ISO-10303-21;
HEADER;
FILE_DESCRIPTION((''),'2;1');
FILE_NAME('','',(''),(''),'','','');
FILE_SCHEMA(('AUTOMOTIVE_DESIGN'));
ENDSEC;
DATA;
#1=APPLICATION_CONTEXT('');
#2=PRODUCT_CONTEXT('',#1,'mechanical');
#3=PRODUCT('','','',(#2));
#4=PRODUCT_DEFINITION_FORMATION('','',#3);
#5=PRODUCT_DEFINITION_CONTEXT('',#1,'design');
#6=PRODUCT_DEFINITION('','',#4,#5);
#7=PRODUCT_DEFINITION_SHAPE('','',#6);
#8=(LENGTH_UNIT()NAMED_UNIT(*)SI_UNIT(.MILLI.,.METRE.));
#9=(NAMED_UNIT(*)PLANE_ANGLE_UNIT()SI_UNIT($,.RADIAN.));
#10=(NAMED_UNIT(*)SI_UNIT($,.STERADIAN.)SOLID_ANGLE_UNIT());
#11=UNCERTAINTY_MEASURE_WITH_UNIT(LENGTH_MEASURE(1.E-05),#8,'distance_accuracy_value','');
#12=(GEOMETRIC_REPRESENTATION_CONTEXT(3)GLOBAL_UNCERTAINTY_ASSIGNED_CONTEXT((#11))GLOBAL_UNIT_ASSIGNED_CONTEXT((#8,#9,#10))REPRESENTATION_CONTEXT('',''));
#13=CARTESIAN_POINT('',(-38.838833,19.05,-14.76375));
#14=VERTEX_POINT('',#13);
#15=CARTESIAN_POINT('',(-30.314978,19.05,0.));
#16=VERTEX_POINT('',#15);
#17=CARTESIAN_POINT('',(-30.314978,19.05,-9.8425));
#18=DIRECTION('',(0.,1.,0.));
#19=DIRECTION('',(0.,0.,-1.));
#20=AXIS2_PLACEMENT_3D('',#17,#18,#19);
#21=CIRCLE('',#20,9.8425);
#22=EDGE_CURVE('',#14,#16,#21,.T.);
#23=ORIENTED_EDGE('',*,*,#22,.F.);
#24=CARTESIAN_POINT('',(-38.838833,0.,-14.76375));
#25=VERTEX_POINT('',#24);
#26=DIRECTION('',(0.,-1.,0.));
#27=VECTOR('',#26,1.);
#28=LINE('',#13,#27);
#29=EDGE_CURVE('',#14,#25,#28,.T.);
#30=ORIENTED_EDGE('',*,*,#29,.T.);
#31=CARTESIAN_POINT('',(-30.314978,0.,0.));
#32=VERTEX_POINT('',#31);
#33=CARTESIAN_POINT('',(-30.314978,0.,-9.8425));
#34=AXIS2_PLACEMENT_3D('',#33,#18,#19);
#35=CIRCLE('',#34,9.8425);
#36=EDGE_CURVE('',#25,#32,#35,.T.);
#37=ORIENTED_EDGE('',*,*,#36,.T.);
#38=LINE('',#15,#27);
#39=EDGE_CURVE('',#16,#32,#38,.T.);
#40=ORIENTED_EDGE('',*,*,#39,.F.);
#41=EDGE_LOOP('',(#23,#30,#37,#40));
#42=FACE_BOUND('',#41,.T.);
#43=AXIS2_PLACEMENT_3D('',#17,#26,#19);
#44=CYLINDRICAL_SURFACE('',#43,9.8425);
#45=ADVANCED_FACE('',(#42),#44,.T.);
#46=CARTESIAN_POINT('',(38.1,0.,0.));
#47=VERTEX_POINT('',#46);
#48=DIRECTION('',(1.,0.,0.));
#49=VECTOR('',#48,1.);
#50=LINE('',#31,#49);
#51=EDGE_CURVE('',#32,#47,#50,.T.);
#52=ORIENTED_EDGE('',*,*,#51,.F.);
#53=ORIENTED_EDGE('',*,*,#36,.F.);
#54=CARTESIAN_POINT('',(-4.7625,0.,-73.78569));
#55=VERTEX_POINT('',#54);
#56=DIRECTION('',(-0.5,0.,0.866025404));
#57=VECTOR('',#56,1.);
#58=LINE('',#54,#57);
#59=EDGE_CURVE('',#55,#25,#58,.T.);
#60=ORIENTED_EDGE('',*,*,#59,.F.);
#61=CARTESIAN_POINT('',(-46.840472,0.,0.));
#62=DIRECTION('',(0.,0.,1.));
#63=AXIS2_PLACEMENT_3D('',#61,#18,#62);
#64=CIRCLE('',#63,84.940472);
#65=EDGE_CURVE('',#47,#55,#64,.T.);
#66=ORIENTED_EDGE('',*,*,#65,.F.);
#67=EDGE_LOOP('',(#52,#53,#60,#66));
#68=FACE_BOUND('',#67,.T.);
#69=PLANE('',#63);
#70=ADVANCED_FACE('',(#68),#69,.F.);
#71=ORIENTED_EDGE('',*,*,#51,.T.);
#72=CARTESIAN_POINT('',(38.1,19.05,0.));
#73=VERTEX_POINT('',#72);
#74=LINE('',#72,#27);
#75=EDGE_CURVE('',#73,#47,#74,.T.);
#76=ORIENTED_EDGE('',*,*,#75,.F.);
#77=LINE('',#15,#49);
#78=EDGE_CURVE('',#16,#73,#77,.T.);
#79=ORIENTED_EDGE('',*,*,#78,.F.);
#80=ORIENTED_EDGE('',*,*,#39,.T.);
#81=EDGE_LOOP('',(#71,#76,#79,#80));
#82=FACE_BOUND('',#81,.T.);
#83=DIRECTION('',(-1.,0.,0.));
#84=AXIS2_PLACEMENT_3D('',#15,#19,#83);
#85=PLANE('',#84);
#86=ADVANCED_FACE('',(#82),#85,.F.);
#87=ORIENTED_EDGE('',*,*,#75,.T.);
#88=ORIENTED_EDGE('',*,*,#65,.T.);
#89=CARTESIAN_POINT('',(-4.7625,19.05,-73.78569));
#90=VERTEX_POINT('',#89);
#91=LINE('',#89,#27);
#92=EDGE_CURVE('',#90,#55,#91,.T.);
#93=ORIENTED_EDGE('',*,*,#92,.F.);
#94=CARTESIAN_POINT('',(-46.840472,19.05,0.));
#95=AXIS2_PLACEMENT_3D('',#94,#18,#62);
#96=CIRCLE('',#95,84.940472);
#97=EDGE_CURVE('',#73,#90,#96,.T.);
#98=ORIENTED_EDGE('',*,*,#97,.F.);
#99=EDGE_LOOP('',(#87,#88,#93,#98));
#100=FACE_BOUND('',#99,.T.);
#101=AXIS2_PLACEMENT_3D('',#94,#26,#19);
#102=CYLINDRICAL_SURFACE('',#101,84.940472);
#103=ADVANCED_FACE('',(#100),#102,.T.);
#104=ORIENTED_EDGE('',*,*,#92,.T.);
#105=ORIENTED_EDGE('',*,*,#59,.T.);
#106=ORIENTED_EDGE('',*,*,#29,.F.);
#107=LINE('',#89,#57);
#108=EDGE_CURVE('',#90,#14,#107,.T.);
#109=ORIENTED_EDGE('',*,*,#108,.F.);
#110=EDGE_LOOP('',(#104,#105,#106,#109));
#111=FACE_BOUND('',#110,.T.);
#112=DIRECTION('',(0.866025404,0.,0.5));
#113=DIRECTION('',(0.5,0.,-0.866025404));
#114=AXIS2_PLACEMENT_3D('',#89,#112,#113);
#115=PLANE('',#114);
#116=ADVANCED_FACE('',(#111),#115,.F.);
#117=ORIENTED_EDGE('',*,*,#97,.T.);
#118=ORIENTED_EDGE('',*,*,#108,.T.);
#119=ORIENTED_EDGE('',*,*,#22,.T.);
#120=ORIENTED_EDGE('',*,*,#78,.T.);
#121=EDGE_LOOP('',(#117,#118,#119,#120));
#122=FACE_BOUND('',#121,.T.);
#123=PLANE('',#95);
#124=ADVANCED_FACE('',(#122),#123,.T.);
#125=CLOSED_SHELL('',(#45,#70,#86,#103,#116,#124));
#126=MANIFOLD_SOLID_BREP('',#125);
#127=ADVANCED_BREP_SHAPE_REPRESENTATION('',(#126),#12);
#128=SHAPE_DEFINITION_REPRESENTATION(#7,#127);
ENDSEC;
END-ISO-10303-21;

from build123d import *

# Parameters (mm, degrees)
BOSS_EXTRUDE1_DEPTH = 19.05


with BuildPart() as part:
    # Sketch1 → Boss-Extrude1 (new body)
    with BuildSketch(Plane(origin=(0, 0, 0), x_dir=(1, 0, 0), z_dir=(0, 1, 0))):
        with BuildLine():
            Line((-4.7625, 73.785690027), (-38.838832963, 14.76375))
            ThreePointArc((-38.838832963, 14.76375), (-38.838832963, 4.92125), (-30.314977926, 0))
            Line((-30.314977926, 0), (38.1, 0))
            ThreePointArc((38.1, 0), (26.606810407, 42.665917191), (-4.7625, 73.785690027))
        make_face()
    extrude(amount=BOSS_EXTRUDE1_DEPTH)


solid = part.part
